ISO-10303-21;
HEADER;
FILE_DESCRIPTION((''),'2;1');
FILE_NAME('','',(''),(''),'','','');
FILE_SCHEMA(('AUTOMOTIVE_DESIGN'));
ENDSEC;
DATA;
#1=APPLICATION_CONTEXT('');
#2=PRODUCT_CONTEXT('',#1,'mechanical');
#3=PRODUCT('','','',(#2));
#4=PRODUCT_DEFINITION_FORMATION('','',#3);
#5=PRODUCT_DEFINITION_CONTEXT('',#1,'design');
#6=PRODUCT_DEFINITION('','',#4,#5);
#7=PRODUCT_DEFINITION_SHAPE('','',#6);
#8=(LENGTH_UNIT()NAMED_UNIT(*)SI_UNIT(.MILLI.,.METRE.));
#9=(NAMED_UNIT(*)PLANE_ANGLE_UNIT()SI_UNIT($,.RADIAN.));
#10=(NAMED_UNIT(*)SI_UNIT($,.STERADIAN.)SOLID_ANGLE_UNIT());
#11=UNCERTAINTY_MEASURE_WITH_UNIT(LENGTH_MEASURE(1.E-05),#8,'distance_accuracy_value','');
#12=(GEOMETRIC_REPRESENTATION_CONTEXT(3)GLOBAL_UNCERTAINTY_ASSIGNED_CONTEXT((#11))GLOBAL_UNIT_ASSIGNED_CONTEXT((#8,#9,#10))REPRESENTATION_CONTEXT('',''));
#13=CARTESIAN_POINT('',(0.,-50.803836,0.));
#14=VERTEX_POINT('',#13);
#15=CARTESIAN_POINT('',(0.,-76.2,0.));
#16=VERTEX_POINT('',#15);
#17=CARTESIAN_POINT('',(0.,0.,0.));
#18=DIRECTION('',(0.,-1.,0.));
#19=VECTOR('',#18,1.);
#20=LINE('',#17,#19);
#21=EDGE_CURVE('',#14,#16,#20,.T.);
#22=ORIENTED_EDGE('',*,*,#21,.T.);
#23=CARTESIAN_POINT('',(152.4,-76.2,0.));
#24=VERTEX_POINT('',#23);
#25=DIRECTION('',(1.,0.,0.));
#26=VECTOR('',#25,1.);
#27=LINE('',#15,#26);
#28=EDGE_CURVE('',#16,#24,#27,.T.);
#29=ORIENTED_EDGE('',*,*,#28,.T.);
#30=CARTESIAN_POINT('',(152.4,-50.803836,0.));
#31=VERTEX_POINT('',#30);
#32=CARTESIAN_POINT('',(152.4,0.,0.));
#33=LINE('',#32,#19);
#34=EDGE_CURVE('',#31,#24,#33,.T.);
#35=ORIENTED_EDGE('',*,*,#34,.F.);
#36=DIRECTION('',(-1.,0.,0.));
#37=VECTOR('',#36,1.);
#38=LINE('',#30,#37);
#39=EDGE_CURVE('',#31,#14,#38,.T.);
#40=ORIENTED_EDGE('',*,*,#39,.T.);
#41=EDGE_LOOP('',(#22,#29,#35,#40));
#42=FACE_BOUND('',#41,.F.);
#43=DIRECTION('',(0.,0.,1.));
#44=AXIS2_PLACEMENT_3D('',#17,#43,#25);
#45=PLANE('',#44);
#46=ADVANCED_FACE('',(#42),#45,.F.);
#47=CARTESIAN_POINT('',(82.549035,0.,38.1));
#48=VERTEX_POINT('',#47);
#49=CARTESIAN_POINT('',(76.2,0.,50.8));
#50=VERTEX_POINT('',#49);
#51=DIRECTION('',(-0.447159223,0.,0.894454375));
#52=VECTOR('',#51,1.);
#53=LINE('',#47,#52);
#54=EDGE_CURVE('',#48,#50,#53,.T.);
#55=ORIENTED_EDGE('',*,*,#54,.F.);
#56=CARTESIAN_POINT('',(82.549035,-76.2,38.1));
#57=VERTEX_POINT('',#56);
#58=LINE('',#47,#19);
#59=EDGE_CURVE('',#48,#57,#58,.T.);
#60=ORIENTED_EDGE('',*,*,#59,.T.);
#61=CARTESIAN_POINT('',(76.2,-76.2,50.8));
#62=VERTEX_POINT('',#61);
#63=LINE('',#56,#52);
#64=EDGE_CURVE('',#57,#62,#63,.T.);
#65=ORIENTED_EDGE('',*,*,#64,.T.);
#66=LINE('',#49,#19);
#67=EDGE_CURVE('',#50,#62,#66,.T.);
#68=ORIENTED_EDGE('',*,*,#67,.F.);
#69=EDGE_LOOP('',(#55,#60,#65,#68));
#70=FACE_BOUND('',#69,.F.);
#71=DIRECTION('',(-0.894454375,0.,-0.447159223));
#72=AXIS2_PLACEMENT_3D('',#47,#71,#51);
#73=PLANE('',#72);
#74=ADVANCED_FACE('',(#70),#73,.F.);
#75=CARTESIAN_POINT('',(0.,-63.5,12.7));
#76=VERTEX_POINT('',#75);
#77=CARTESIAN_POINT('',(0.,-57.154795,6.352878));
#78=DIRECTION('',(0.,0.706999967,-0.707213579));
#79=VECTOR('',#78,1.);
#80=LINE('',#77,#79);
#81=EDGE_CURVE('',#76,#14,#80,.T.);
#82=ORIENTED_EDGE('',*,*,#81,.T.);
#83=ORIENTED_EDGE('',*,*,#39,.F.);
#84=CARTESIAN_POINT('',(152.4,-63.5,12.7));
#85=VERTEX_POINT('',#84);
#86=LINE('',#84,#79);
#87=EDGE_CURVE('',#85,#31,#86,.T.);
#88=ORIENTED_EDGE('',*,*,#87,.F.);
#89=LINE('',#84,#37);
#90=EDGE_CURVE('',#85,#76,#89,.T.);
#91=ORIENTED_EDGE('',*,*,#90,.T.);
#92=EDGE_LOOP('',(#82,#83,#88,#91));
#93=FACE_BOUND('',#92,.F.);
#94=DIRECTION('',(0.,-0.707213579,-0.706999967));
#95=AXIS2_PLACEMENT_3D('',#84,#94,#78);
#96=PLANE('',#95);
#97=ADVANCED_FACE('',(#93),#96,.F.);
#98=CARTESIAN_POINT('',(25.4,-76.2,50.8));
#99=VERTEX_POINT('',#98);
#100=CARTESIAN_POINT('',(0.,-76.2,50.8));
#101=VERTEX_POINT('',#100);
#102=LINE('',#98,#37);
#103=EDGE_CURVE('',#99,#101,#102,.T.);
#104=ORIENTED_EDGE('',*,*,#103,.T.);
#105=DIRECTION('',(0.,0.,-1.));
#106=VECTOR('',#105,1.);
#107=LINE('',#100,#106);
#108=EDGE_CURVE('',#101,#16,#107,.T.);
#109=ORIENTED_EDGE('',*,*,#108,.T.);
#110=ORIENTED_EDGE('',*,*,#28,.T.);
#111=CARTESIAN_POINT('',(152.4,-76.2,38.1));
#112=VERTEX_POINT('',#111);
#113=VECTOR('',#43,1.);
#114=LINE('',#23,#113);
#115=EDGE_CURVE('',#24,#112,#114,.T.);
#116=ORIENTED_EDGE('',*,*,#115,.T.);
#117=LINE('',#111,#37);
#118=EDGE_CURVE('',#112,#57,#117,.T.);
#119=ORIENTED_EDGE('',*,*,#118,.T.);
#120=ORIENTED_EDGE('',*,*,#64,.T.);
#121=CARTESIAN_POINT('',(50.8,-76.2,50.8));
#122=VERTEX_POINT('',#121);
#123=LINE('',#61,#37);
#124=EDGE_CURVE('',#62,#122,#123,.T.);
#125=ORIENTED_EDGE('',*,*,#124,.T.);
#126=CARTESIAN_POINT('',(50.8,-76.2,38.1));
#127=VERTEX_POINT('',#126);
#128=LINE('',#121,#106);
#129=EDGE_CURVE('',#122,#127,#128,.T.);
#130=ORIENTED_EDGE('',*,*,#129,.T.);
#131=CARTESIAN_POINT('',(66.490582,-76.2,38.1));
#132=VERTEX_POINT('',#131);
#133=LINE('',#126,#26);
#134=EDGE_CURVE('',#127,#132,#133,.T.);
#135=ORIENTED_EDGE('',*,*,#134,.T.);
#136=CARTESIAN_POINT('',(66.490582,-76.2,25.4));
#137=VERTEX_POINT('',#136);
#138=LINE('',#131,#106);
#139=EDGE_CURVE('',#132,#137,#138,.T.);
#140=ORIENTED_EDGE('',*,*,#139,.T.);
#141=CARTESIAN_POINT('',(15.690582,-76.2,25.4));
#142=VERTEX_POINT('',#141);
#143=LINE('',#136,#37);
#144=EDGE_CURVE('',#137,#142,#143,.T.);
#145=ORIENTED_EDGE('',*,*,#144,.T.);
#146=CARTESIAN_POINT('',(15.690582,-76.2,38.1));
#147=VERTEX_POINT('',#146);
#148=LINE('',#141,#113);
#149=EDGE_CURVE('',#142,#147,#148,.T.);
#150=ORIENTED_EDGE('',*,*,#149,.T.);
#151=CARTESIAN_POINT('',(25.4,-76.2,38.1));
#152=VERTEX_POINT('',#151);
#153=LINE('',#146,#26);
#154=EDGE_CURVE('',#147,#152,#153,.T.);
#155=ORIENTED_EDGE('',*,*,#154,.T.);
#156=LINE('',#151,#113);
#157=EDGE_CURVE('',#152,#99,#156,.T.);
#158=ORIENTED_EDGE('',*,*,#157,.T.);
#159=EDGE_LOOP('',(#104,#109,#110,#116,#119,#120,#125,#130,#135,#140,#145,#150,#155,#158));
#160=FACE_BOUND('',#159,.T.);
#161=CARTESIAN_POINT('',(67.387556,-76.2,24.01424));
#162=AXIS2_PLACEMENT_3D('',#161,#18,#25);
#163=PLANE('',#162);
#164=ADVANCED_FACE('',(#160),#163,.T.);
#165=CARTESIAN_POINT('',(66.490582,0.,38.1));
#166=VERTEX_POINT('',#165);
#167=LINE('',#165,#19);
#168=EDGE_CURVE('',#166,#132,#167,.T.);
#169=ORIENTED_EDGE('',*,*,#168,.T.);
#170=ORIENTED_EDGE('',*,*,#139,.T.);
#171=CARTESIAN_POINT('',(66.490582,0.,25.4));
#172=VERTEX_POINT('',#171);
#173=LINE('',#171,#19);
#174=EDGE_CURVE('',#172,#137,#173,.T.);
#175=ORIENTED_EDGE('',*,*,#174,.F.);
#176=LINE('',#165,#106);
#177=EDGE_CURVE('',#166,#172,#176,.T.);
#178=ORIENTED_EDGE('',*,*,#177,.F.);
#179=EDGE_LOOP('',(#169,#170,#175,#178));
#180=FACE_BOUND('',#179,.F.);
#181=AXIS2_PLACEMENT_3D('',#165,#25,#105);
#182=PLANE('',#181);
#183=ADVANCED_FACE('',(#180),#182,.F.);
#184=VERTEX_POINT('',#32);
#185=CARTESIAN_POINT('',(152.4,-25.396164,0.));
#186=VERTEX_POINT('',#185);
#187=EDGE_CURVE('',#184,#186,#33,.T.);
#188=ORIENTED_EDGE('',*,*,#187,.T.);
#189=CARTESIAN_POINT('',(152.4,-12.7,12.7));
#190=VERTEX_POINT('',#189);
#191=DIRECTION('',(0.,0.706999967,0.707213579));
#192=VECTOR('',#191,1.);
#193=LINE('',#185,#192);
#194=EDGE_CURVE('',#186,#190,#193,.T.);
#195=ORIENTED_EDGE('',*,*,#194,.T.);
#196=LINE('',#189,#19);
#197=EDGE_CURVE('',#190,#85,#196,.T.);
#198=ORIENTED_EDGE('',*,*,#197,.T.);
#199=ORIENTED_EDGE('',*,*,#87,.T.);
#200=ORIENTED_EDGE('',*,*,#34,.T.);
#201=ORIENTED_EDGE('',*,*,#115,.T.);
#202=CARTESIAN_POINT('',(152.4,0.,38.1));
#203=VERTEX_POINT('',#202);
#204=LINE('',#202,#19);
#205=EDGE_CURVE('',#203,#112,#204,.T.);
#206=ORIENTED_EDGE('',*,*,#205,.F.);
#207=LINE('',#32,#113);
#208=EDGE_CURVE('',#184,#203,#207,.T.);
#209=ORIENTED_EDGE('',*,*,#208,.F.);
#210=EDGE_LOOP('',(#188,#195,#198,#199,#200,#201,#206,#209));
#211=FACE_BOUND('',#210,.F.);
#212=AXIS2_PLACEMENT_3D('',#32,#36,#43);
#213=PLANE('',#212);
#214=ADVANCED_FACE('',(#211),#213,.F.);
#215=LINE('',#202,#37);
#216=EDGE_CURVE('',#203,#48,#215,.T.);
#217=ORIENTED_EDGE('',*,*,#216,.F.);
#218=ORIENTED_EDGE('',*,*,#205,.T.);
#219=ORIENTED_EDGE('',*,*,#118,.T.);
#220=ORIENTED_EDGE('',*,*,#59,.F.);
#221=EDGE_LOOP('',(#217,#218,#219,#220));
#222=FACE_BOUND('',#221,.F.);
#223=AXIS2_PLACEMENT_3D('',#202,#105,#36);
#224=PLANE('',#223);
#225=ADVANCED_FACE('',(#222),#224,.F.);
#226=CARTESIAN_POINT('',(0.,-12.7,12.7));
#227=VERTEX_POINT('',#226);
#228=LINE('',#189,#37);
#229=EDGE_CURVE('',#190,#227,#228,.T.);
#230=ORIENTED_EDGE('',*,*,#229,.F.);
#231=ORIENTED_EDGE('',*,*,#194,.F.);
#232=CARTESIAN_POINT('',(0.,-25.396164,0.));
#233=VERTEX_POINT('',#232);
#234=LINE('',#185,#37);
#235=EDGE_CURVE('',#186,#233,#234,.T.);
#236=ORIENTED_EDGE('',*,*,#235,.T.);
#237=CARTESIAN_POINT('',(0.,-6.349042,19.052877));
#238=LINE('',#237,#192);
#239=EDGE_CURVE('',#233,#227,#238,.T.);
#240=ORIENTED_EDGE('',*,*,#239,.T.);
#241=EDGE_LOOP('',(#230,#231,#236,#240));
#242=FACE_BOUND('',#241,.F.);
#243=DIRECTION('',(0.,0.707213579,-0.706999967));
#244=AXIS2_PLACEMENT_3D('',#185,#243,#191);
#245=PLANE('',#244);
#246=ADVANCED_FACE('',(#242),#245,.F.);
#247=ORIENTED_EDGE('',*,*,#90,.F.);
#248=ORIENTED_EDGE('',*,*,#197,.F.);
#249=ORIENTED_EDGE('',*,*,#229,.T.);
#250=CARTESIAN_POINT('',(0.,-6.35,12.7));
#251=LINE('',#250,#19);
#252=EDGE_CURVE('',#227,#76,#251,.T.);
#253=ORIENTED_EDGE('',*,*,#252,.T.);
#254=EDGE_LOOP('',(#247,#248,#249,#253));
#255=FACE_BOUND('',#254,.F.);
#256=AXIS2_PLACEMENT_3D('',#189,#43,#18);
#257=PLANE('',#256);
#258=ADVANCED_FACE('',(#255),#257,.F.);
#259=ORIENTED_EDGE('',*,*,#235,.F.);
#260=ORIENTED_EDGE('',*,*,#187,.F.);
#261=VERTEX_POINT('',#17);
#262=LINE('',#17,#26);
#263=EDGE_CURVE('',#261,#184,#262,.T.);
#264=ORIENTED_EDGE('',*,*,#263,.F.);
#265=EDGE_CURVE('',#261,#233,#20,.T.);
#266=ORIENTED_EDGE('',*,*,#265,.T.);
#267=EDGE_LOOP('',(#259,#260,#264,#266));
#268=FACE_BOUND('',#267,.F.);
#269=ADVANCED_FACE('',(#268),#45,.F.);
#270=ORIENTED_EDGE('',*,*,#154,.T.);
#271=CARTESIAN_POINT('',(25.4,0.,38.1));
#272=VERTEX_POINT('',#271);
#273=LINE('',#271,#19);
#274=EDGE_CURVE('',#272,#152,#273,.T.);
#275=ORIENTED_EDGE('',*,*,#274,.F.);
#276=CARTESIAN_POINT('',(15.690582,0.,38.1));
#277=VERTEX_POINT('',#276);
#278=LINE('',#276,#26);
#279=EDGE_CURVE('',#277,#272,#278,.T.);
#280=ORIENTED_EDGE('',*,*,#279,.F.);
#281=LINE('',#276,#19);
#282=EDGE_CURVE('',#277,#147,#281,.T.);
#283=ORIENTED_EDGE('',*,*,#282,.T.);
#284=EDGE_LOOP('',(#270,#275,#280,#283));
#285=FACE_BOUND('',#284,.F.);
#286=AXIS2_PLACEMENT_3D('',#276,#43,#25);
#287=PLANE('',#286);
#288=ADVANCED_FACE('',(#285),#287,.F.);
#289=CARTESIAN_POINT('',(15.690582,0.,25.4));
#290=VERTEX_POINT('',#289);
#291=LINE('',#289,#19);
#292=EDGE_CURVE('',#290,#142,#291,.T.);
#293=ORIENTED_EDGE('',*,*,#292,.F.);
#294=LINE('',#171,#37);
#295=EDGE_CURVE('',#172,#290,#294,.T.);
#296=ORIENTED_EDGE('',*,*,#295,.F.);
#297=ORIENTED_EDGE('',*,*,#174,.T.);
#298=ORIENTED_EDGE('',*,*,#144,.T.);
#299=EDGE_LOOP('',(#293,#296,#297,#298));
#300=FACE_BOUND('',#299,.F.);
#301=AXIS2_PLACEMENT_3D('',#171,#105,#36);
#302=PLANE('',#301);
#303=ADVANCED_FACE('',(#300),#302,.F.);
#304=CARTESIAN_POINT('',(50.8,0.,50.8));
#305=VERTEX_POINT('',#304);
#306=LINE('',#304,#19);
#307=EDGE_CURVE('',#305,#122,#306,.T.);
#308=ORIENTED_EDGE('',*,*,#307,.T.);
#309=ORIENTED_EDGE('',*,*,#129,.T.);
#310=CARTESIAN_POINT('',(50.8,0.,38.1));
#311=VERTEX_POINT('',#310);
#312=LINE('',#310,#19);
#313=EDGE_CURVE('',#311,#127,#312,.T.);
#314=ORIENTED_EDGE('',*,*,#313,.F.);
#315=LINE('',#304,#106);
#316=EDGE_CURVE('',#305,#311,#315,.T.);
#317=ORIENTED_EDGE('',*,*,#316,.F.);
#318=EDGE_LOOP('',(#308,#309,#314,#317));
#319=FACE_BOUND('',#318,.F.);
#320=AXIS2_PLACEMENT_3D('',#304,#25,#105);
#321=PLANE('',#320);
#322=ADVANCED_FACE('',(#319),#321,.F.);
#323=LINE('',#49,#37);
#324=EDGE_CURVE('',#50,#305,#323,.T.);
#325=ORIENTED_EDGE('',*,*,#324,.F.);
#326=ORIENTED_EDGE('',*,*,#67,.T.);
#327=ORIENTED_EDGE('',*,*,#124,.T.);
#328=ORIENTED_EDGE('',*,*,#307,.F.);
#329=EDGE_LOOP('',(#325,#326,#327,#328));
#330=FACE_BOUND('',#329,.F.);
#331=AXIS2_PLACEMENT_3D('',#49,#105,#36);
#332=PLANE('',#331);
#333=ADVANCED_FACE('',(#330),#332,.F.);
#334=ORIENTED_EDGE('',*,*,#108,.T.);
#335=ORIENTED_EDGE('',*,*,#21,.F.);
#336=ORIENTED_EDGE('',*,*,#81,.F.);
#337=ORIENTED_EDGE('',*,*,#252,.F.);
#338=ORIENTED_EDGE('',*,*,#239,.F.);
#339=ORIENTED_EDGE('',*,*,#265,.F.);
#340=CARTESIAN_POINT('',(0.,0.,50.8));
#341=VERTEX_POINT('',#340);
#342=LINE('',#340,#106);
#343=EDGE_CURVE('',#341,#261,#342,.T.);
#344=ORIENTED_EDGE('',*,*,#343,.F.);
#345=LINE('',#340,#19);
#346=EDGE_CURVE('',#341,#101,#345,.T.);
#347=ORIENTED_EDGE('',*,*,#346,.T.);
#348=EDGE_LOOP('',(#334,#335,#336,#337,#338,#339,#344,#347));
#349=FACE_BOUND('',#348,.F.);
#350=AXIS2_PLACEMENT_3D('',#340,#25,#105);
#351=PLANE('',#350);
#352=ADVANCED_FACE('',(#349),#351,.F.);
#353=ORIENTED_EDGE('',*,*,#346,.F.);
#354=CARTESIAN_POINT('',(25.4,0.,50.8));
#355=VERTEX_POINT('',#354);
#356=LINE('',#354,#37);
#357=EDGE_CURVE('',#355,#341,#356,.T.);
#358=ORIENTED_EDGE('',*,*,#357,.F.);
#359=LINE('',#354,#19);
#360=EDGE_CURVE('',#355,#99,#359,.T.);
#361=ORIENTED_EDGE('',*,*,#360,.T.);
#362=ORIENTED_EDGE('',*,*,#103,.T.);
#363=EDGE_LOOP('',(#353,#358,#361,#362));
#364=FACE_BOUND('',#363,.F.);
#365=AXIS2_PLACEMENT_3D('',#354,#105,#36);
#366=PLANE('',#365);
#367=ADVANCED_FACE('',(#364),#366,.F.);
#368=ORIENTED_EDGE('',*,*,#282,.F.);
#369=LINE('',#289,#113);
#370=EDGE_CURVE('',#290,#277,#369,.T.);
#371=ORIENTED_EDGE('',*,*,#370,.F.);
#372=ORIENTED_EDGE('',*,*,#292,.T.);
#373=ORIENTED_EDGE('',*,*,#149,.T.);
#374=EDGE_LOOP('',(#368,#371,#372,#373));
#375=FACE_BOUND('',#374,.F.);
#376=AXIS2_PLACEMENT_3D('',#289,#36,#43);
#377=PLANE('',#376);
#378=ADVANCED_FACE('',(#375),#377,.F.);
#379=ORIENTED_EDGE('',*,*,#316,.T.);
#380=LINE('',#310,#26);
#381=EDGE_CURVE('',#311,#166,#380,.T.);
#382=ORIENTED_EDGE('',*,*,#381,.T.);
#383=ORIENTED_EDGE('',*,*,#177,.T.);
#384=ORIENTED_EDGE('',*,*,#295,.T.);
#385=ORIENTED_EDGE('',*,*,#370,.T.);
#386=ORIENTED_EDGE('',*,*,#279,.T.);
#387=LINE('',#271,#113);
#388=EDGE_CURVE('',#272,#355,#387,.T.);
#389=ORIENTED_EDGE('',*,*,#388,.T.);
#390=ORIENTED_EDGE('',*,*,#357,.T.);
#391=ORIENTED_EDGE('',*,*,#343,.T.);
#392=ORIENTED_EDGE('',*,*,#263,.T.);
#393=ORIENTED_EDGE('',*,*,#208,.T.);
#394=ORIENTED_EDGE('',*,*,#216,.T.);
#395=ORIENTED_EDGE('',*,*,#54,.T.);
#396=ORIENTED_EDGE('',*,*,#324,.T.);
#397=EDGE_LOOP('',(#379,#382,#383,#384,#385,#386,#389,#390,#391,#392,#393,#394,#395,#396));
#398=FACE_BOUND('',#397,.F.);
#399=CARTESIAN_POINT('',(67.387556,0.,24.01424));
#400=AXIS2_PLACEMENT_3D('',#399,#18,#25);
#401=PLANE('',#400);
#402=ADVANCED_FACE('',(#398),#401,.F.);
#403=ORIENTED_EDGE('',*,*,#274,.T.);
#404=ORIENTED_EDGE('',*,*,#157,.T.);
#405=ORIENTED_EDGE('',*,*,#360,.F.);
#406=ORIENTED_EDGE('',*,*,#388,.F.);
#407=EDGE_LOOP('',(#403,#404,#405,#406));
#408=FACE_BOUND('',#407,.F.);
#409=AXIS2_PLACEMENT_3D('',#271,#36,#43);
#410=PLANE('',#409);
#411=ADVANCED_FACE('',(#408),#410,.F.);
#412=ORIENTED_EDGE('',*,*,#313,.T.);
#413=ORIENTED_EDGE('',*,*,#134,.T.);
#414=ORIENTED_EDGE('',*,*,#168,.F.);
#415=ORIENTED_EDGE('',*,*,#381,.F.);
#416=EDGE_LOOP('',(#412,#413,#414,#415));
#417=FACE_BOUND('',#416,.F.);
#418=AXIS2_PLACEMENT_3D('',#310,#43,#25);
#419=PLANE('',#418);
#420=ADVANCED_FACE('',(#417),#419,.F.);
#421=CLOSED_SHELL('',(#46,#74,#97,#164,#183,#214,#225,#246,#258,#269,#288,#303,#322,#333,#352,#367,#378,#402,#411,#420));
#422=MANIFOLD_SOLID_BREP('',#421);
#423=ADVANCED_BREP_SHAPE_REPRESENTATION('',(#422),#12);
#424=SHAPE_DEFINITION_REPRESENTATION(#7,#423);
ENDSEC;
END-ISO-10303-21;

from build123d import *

# Parameters (mm, degrees)
F1_DEPTH = 76.2
F3_DEPTH = 209.296


with BuildPart() as f1:
    # F0 (on Front) → F1 (new body)
    with BuildSketch(Plane.XZ):
        Polygon((0, 50.8), (0, 0), (152.4, 0), (152.4, 38.1), (82.549035, 38.1), (76.2, 50.8), (50.8, 50.8), (50.8, 38.1), (66.490582, 38.1), (66.490582, 25.4), (15.690582, 25.4), (15.690582, 38.1), (25.4, 38.1), (25.4, 50.8), align=None)
    extrude(amount=F1_DEPTH)

    # F2 (on face) → F3 (cut)
    with BuildSketch(Plane.YZ.offset(152.4)):
        Polygon((-63.5, 12.7), (-50.803836, 0), (-25.396164, 0), (-12.7, 12.7), align=None)
    extrude(amount=-F3_DEPTH, mode=Mode.SUBTRACT)


solid = f1.part
